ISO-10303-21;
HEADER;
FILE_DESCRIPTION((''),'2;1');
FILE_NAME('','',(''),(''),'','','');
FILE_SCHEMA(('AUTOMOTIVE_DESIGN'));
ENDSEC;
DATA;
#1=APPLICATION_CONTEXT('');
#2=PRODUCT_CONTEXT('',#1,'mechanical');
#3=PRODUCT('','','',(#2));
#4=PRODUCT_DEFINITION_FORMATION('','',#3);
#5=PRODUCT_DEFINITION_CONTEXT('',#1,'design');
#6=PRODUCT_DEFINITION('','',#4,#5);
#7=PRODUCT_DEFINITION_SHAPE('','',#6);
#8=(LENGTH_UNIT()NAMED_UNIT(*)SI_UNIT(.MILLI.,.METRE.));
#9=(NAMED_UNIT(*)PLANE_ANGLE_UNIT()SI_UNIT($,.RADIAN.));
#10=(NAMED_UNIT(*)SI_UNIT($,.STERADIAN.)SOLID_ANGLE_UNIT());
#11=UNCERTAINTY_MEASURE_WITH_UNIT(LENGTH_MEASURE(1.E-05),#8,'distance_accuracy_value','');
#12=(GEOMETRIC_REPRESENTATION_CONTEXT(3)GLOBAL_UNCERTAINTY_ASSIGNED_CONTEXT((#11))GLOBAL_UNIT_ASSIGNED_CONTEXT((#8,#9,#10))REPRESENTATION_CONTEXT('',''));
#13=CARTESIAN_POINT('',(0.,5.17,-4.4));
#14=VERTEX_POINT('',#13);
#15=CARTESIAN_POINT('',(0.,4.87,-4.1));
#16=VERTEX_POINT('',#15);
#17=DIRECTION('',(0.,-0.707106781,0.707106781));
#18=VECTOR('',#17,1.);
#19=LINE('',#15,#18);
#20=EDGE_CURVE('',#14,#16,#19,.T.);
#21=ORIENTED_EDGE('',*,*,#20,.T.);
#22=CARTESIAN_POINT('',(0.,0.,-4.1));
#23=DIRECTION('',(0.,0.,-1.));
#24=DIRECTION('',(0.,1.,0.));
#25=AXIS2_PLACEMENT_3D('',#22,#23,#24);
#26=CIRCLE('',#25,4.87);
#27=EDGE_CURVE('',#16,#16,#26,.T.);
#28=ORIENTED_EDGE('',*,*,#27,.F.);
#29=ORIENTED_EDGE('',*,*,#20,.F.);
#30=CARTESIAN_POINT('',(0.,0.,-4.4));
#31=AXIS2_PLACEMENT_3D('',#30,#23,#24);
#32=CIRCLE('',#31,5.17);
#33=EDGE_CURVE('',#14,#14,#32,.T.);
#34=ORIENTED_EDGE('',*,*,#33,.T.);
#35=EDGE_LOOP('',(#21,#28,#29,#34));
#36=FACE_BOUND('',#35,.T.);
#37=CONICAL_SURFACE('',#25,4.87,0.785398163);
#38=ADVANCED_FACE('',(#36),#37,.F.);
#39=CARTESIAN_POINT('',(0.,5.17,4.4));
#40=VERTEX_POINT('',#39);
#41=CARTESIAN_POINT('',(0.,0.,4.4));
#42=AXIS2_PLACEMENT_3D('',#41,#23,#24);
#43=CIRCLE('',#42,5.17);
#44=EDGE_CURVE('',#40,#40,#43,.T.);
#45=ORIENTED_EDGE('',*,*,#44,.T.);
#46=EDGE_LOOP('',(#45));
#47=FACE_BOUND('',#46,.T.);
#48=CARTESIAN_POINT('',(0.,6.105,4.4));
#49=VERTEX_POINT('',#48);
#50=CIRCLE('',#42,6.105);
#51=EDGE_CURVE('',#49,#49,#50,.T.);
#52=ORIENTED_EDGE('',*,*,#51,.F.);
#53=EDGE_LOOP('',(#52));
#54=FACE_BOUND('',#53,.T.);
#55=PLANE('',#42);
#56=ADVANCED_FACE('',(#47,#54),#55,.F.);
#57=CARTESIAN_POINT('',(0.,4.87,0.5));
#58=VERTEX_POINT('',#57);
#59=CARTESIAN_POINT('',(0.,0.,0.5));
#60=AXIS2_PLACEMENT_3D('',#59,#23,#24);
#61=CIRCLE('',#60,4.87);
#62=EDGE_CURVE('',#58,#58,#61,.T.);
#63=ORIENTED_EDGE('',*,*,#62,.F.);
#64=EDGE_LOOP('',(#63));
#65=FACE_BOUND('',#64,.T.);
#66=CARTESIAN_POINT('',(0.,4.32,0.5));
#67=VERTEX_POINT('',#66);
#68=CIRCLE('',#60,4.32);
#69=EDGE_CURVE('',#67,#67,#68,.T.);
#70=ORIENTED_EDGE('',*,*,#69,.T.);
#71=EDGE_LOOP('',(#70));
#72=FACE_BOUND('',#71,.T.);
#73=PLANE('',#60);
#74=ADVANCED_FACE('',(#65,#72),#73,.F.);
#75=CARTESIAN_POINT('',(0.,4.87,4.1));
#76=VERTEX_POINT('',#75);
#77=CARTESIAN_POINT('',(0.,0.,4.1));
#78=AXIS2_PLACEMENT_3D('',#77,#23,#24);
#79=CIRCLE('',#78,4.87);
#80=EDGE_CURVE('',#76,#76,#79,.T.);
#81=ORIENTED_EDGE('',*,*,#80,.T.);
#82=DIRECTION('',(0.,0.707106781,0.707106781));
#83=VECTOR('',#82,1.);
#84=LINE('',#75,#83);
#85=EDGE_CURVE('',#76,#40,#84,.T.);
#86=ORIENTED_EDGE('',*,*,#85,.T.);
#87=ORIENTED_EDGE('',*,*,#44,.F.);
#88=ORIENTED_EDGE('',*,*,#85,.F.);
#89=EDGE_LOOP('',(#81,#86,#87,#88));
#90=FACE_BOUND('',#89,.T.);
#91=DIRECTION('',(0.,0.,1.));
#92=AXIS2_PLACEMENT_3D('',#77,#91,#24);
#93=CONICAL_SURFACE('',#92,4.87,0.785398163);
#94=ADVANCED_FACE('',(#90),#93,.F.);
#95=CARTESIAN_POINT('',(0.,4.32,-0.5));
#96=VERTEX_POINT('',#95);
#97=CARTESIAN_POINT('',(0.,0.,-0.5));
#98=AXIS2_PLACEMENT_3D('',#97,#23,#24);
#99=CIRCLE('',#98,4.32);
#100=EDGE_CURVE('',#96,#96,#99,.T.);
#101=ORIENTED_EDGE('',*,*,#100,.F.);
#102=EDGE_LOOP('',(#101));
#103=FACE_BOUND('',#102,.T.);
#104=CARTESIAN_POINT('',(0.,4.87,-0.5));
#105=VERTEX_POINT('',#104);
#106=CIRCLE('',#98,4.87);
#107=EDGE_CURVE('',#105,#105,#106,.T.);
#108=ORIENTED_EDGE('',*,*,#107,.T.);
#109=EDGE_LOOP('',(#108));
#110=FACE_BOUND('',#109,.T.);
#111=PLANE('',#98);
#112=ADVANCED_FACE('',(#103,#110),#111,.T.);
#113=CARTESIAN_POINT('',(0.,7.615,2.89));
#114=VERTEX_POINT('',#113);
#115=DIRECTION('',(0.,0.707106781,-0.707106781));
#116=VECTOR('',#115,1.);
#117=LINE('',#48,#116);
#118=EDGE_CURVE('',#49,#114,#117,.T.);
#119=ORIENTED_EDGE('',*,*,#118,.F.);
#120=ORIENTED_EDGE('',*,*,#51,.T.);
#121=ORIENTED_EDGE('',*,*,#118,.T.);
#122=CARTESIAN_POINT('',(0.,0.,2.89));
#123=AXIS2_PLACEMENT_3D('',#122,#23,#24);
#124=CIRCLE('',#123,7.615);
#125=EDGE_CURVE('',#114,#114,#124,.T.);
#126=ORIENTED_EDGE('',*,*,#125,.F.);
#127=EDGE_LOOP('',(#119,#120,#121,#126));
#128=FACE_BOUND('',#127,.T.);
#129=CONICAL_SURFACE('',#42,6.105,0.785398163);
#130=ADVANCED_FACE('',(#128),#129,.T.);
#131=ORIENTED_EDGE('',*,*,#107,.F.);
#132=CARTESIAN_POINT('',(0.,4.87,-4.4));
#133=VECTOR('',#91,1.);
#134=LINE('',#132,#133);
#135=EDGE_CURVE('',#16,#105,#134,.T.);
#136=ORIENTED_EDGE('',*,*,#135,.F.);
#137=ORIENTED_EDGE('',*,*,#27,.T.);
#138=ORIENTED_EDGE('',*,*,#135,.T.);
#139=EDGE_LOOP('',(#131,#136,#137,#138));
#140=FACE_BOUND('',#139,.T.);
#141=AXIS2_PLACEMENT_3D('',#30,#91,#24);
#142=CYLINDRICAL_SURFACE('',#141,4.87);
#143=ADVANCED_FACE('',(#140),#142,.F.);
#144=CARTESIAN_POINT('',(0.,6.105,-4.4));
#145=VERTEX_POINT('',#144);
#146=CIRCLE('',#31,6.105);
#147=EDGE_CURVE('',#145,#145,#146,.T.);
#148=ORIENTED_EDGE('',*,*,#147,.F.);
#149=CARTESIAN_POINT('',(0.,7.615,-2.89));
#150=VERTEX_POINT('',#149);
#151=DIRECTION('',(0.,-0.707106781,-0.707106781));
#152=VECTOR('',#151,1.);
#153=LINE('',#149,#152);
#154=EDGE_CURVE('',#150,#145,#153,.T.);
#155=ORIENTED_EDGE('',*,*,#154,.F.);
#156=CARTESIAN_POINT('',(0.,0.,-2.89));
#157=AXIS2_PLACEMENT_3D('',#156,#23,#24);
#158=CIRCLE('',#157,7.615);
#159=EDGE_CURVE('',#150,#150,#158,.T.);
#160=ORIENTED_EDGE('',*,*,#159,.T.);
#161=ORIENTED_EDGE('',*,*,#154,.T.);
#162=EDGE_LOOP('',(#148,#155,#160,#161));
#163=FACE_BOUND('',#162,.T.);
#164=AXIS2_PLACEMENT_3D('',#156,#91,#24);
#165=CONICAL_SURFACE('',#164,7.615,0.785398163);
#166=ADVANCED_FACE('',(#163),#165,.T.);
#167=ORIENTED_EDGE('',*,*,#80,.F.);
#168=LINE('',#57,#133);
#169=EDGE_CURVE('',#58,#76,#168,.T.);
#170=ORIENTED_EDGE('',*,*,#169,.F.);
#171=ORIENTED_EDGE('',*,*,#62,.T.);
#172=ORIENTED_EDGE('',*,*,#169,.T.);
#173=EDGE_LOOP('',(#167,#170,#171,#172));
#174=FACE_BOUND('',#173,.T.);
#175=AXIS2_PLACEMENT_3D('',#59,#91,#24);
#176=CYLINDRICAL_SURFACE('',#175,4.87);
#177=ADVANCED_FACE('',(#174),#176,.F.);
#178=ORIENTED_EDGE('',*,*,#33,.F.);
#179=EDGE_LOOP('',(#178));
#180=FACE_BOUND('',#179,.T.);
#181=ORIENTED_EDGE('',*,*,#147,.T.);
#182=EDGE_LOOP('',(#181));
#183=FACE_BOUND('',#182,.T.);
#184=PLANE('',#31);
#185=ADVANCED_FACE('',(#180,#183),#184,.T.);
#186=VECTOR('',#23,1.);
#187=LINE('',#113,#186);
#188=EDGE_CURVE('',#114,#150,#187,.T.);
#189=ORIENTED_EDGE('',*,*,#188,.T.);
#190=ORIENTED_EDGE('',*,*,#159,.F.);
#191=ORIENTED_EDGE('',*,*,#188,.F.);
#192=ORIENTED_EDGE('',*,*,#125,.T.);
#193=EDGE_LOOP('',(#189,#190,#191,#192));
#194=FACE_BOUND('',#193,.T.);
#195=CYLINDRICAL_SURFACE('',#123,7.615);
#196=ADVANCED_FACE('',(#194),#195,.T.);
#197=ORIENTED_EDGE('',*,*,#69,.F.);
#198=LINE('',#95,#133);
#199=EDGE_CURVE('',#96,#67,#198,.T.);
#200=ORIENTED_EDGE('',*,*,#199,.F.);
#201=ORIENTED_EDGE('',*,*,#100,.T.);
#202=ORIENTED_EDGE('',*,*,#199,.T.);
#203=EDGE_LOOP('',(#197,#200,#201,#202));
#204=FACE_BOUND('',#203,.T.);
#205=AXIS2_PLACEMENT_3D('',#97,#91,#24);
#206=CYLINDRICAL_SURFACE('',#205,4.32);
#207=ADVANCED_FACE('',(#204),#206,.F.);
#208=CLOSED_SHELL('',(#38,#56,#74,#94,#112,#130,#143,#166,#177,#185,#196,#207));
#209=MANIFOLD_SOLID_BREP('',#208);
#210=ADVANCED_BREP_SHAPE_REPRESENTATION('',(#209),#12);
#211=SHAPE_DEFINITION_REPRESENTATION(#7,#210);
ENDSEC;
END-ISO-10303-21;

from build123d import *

# Parameters (mm, degrees)
CHAMFER1_SIZE = 0.3


with BuildPart() as part:
    # Sketch1 → Revolve1 (revolve)
    with BuildSketch(Plane(origin=(0, 0, 0), x_dir=(0, 0, -1), z_dir=(1, 0, 0))):
        Polygon((0.5, 4.32), (-0.5, 4.32), (-0.5, 4.87), (-4.4, 4.87), (-4.4, 6.105), (-2.89, 7.615), (2.89, 7.615), (4.4, 6.105), (4.4, 4.87), (0.5, 4.87), align=None)
    revolve(axis=Axis((0, 0, 0), (0, 0, -1)))

    # Chamfer1
    chamfer1_edges = [part.edges().sort_by_distance(p)[0] for p in [
        (0, -4.87, 4.4),
        (0, -4.87, -4.4),
    ]]
    chamfer(chamfer1_edges, length=CHAMFER1_SIZE)


solid = part.part
